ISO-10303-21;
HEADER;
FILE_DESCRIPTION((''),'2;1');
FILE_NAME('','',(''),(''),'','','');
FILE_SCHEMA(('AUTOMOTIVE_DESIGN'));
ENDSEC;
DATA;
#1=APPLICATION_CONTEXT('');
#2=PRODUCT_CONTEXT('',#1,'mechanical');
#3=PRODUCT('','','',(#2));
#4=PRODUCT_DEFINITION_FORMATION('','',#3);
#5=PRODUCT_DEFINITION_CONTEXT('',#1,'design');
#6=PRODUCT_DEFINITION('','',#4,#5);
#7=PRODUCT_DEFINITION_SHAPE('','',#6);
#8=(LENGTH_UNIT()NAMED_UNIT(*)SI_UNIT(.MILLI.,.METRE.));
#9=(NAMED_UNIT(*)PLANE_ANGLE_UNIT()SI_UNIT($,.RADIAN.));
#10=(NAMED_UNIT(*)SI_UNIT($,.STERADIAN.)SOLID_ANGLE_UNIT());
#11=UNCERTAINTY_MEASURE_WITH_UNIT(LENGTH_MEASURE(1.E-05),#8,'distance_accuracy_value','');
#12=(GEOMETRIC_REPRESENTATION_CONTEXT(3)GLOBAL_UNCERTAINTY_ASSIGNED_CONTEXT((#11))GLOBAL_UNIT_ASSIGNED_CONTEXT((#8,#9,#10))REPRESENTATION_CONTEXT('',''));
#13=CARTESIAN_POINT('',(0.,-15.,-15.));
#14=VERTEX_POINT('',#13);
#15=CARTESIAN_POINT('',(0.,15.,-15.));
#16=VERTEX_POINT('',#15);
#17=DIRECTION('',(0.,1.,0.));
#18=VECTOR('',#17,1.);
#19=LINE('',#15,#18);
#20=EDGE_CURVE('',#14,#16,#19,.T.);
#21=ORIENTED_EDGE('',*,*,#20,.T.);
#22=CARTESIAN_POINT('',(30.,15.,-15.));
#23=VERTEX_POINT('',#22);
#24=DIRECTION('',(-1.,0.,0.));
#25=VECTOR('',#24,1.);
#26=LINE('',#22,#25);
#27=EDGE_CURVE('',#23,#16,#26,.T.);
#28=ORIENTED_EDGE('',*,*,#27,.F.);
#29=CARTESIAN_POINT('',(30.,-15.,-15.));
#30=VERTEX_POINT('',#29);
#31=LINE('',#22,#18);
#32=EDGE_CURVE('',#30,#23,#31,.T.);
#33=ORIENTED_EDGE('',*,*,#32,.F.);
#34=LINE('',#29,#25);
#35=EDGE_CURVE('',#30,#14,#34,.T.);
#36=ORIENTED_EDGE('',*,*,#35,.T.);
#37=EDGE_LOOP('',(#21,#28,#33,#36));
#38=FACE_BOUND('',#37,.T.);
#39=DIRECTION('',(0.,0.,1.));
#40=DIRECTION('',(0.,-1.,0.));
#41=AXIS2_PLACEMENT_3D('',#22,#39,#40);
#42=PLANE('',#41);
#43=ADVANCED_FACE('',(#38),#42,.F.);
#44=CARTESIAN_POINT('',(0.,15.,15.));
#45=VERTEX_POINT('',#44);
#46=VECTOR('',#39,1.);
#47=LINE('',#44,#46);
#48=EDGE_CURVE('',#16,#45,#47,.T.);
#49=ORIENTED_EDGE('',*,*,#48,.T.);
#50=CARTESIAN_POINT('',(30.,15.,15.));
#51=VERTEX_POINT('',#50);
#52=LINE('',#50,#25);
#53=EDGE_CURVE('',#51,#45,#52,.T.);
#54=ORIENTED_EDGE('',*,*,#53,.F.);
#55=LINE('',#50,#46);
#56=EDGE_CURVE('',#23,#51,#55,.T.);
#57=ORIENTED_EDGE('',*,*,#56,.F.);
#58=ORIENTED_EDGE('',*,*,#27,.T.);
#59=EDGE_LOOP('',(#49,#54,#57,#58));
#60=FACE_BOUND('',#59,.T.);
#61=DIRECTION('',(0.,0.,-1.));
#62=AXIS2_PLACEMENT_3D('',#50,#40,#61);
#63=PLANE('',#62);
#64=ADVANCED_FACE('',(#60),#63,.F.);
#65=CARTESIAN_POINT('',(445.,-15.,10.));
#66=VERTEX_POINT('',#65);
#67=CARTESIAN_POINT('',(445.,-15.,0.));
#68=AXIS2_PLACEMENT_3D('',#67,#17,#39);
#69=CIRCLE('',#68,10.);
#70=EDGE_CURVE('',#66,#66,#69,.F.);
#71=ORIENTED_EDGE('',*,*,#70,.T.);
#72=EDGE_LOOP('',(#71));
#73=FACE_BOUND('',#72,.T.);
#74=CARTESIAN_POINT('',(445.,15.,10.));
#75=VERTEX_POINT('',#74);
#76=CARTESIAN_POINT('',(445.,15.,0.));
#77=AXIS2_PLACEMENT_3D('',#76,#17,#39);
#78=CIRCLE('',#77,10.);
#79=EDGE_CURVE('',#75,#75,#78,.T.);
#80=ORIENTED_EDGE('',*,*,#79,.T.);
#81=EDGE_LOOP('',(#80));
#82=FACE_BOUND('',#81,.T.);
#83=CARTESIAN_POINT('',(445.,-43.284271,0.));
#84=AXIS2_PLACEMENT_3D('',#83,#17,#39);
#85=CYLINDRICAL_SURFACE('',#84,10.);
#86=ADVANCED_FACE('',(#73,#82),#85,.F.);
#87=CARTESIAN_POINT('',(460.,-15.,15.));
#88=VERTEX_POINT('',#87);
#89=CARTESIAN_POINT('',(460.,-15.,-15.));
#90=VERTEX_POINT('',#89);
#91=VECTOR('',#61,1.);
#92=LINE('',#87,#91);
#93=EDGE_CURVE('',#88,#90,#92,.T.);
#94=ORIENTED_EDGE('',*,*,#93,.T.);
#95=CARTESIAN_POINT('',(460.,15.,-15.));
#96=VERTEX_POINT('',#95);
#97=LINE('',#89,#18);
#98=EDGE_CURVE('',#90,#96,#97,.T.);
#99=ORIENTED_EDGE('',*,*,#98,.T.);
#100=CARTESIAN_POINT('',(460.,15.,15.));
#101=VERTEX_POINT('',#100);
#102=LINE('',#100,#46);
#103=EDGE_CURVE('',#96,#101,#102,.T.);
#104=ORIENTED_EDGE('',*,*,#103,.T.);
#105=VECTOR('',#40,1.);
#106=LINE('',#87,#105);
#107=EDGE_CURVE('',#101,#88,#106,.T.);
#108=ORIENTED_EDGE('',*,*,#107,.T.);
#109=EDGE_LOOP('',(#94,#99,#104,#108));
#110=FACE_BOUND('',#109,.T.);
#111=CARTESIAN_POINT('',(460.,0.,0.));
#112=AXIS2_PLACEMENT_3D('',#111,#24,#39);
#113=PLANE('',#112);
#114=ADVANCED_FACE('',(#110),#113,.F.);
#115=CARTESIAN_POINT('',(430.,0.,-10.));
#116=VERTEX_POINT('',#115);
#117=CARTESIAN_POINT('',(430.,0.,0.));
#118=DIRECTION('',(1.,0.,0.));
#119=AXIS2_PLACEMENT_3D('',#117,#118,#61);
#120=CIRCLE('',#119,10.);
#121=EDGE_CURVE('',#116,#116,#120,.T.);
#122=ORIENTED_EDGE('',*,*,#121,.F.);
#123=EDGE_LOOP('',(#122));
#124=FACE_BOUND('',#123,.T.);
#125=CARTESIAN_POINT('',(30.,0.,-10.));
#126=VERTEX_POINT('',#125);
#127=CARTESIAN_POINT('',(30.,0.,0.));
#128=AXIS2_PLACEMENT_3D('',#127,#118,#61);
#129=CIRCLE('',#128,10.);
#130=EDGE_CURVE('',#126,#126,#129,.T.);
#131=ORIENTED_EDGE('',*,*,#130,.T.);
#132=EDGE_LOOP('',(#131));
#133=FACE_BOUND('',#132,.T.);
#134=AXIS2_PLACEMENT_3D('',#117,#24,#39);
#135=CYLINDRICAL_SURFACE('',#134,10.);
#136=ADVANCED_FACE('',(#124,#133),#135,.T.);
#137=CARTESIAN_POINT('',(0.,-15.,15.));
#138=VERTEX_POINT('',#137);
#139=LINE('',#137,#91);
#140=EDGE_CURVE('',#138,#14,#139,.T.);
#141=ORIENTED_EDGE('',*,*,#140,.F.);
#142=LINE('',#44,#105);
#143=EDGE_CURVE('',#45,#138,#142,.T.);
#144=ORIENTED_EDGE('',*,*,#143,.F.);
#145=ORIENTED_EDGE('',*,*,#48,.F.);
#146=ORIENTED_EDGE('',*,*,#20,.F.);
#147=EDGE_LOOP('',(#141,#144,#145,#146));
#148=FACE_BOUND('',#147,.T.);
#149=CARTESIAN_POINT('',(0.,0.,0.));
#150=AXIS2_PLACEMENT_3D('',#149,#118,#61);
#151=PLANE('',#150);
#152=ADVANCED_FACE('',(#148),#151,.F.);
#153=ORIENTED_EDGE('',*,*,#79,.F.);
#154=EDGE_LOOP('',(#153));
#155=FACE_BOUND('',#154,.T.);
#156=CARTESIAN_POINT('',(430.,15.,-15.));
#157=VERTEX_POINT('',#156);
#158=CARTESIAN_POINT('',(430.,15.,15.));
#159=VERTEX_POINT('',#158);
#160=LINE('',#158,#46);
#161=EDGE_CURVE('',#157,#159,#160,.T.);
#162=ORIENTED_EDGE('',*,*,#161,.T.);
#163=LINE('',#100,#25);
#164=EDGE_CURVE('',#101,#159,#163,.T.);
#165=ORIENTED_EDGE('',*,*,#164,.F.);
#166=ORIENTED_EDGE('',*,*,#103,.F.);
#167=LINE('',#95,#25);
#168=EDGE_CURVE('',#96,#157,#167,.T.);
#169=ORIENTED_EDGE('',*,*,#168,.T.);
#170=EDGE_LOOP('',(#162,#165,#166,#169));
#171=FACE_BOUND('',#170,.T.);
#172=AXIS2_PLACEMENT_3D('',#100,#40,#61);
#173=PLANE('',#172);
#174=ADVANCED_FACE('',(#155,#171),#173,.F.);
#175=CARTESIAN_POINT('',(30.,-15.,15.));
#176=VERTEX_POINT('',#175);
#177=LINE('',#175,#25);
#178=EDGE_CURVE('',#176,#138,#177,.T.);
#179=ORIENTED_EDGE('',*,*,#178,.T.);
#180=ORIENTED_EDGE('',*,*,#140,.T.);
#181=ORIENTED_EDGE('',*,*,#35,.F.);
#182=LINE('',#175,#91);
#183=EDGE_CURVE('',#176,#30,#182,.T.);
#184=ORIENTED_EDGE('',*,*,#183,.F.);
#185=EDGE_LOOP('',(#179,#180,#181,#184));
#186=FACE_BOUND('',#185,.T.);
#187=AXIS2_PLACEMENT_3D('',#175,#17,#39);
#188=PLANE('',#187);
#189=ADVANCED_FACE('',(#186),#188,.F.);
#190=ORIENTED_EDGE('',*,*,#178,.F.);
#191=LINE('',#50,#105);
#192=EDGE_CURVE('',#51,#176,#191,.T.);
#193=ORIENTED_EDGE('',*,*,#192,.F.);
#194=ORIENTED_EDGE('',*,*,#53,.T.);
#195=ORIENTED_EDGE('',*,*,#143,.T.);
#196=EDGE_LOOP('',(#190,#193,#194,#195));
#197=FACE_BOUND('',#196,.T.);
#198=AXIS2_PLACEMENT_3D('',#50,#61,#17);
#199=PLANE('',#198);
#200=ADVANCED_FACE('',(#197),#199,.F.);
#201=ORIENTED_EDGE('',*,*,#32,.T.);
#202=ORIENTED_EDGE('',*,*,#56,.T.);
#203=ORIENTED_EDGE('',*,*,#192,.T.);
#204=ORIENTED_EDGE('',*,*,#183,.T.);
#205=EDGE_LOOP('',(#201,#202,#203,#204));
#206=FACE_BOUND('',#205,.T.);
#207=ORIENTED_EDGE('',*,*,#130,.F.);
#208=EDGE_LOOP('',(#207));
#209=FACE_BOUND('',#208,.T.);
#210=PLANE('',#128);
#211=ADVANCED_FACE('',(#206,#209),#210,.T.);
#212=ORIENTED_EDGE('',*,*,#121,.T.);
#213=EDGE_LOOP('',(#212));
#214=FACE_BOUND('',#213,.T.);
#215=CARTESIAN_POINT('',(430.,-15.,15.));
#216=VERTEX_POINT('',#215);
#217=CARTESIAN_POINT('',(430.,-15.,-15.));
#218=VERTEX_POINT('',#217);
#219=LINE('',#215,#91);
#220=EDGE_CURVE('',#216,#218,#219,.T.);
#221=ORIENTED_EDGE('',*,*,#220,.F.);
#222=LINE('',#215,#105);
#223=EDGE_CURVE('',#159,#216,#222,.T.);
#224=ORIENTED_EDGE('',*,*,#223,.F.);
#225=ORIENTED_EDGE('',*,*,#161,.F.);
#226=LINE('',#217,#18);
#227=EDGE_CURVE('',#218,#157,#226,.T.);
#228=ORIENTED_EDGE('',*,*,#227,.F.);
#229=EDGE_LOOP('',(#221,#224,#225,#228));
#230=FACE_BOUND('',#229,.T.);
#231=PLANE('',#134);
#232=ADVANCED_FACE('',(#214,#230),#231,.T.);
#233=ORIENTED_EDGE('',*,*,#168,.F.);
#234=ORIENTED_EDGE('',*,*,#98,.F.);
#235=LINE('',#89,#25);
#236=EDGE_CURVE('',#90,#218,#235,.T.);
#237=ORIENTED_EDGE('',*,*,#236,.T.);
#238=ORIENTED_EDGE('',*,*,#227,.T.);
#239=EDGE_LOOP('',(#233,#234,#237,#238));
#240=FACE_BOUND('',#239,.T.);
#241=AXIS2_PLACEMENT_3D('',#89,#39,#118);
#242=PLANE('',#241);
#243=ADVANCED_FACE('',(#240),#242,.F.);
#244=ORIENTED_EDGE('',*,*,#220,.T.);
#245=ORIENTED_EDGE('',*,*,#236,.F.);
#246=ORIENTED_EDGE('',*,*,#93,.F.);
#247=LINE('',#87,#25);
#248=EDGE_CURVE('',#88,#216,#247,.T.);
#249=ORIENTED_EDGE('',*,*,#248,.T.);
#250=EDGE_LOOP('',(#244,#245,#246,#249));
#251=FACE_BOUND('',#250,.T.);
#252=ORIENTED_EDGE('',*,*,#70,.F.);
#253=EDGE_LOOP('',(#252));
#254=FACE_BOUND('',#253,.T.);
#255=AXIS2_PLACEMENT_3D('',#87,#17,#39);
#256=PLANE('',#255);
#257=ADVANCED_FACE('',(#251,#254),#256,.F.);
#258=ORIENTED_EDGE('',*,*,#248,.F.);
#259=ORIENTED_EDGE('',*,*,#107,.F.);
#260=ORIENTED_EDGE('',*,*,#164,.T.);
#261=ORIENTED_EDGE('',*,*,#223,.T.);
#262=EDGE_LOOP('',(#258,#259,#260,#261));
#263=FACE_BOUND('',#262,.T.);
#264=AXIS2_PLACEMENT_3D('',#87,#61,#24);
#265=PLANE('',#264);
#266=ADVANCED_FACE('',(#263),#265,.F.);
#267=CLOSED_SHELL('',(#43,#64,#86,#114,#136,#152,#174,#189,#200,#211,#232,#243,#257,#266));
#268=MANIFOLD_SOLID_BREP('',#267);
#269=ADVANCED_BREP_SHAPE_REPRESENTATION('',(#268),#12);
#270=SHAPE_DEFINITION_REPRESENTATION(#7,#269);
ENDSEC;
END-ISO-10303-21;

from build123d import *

# Parameters (mm, degrees)
SKETCH1_W           = 30
SKETCH1_H           = 30
BOSS_EXTRUDE1_DEPTH = 30
SKETCH2_R           = 10
BOSS_EXTRUDE2_DEPTH = 400
SKETCH3_W           = 30
SKETCH3_H           = 30
BOSS_EXTRUDE3_DEPTH = 30
SKETCH4_R           = 10
CUT_EXTRUDE1_DEPTH  = 30


with BuildPart() as part:
    # Sketch1 → Boss-Extrude1 (new body)
    with BuildSketch(Plane(origin=(0, 0, 0), x_dir=(0, 0, -1), z_dir=(1, 0, 0))):
        Rectangle(SKETCH1_W, SKETCH1_H)
    extrude(amount=BOSS_EXTRUDE1_DEPTH)

    # Sketch2 → Boss-Extrude2 (add)
    with BuildSketch(Plane(origin=(30, 0, 0), x_dir=(0, 0, -1), z_dir=(1, 0, 0))):
        Circle(SKETCH2_R)
    extrude(amount=BOSS_EXTRUDE2_DEPTH)

    # Sketch3 → Boss-Extrude3 (add)
    with BuildSketch(Plane(origin=(430, 0, 0), x_dir=(0, 0, -1), z_dir=(1, 0, 0))):
        Rectangle(SKETCH3_W, SKETCH3_H)
    extrude(amount=BOSS_EXTRUDE3_DEPTH)

    # Sketch4 → Cut-Extrude1 (cut)
    with BuildSketch(Plane(origin=(0, 15, 0), x_dir=(1, 0, 0), z_dir=(0, 1, 0))):
        with Locations((445, 0)):
            Circle(SKETCH4_R)
    extrude(amount=-CUT_EXTRUDE1_DEPTH, mode=Mode.SUBTRACT)


solid = part.part
